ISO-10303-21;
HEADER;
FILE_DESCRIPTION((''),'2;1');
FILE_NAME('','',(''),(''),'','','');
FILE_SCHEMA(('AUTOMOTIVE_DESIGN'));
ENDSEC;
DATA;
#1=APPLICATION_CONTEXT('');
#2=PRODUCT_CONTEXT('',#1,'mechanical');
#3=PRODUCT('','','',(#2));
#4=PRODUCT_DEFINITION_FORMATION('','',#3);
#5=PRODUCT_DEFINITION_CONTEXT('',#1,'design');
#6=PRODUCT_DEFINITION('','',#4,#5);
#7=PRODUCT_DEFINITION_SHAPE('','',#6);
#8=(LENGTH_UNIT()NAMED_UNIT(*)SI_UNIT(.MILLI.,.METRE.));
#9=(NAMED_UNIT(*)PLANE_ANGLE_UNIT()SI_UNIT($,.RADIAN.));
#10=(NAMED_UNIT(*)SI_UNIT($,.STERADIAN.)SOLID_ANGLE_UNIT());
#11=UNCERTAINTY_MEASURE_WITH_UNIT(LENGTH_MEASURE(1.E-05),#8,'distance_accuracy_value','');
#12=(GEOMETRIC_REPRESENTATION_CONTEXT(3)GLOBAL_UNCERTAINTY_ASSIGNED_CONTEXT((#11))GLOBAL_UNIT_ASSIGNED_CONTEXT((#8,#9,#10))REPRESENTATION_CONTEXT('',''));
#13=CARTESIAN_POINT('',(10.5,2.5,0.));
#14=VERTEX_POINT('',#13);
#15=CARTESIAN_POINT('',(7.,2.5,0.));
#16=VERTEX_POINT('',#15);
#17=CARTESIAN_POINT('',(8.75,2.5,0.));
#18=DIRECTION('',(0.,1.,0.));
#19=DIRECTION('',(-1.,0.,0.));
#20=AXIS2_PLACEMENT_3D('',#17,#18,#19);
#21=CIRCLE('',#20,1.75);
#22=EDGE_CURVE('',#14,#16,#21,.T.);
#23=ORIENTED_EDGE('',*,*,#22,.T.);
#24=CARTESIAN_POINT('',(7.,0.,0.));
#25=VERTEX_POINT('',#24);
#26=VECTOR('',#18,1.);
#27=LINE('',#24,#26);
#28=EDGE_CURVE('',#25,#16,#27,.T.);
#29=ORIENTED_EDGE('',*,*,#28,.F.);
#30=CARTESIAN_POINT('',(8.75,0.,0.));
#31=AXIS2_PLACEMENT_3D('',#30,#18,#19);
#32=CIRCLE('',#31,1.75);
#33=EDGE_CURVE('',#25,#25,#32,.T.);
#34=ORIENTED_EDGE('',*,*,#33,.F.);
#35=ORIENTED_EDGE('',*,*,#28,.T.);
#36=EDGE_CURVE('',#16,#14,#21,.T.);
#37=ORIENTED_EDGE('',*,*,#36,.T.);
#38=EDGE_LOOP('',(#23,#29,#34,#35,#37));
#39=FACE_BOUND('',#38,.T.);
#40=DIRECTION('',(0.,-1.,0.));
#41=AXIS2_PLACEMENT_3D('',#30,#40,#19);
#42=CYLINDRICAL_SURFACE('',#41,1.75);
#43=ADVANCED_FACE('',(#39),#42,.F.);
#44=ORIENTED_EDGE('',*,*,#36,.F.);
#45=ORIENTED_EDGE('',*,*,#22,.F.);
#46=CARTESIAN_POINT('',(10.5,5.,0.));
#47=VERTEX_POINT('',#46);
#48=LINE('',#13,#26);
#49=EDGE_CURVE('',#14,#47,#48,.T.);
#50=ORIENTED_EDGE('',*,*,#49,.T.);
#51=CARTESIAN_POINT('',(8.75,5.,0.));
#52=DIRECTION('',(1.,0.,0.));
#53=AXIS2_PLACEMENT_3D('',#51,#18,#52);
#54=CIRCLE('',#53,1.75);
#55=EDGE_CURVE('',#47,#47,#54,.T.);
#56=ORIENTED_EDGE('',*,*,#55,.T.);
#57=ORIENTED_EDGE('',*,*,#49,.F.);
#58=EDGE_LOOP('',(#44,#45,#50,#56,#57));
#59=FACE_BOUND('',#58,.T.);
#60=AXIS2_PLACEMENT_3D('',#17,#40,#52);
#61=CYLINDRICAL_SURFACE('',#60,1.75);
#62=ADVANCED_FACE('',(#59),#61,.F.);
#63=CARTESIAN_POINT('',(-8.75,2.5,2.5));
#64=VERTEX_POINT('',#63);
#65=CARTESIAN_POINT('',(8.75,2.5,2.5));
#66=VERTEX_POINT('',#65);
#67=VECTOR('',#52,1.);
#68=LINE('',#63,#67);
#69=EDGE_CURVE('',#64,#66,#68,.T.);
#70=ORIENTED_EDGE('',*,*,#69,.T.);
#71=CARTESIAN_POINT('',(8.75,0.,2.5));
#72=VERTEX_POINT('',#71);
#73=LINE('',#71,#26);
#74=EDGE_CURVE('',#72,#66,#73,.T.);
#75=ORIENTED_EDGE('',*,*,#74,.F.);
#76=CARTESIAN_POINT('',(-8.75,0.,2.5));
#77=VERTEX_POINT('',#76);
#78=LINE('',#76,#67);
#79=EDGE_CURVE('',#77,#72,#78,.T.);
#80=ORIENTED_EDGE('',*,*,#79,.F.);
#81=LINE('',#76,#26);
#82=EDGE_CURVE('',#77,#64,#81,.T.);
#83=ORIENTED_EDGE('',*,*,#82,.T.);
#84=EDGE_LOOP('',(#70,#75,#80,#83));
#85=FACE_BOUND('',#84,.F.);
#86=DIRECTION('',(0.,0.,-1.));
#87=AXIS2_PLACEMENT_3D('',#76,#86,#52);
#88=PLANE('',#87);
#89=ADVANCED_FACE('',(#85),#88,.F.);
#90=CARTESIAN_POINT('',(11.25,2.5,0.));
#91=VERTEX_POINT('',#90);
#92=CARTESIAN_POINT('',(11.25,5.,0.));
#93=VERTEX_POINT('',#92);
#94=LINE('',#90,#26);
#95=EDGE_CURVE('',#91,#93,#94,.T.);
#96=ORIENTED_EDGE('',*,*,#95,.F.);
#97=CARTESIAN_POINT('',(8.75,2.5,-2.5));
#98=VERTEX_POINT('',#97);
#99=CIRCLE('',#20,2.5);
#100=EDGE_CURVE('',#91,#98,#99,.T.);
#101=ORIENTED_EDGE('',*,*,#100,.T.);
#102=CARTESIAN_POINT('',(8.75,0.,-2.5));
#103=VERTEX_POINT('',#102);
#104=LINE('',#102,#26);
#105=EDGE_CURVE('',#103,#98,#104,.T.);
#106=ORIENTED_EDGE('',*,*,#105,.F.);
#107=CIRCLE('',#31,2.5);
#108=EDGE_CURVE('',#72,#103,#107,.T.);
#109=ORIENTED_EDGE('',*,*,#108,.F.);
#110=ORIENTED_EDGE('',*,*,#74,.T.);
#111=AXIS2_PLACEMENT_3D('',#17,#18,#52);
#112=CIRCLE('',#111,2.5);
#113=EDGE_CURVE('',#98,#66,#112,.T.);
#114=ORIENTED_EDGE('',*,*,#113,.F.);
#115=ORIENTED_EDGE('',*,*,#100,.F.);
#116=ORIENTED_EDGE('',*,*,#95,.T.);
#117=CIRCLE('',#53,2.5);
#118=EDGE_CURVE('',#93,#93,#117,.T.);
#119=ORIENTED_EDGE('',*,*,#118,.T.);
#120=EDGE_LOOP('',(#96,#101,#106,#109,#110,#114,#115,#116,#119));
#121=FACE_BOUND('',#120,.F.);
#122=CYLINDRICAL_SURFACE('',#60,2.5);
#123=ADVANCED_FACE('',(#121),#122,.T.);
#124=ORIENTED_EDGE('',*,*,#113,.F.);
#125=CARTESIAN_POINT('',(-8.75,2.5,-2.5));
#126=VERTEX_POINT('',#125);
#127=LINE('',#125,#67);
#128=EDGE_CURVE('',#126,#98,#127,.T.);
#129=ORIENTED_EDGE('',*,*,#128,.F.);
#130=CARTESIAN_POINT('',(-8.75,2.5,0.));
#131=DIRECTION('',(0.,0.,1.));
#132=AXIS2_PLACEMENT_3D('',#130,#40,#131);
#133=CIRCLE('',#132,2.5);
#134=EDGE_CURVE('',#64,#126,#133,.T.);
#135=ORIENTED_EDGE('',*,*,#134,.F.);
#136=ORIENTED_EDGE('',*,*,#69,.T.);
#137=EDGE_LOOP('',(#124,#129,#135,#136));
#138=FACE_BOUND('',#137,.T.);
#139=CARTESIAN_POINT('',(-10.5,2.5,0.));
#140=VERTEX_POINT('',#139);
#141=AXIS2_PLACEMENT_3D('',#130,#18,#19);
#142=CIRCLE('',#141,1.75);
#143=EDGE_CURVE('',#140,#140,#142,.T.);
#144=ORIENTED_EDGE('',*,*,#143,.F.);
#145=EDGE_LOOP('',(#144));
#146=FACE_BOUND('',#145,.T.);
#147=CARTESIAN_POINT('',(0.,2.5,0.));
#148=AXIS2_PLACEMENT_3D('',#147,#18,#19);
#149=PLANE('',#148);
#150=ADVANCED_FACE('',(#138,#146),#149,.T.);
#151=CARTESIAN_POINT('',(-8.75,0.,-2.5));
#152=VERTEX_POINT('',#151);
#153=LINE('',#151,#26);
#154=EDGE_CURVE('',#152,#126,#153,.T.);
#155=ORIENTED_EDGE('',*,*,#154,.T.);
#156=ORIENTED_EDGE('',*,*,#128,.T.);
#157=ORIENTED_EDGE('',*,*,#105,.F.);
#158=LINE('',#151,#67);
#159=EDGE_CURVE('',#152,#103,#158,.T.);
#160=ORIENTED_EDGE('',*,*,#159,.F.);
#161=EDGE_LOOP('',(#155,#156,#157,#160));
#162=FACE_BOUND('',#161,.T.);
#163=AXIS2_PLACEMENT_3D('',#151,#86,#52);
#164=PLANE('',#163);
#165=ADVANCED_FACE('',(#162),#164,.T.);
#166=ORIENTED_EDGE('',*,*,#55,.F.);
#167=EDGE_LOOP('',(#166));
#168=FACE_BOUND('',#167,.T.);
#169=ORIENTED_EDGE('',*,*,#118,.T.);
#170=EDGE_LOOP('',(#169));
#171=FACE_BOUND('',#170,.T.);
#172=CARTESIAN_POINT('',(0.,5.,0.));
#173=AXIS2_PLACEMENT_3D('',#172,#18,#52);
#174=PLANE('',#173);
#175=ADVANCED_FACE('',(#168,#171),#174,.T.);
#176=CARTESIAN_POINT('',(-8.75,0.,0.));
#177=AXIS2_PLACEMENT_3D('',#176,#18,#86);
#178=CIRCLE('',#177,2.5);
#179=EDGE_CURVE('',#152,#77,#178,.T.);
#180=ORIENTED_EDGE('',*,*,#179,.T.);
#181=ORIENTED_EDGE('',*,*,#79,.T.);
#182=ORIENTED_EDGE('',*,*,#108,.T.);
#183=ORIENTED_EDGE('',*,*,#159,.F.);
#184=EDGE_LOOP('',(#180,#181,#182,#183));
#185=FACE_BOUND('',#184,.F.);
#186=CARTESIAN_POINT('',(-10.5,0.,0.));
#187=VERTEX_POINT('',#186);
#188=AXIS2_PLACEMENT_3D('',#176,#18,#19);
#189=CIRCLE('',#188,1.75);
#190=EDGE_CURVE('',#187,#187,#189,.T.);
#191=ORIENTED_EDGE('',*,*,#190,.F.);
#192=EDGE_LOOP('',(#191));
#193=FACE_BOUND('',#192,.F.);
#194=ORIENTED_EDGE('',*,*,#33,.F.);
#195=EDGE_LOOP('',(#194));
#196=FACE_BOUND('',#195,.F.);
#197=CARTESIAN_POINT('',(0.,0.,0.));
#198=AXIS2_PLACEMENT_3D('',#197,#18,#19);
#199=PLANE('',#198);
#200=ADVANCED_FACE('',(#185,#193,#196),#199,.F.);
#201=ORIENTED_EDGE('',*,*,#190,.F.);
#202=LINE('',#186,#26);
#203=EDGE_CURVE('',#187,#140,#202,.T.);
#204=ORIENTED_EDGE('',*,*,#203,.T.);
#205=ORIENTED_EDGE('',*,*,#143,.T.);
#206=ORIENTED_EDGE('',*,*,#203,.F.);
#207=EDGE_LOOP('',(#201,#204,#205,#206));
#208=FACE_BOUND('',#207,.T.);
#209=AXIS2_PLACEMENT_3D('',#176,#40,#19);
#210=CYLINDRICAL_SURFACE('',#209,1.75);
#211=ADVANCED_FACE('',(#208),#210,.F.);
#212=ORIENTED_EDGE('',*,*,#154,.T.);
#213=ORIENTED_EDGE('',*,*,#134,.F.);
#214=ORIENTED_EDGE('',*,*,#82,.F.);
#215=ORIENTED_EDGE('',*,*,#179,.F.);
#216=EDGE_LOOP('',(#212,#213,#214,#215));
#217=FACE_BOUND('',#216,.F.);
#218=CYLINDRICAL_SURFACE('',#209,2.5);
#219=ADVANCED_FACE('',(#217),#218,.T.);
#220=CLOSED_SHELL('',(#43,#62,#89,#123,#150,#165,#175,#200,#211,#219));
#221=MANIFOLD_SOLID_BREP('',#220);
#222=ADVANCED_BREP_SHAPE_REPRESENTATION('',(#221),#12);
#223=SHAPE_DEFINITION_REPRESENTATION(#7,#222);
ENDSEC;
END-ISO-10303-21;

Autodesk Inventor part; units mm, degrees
ref_plane "YZ Plane" through (0, 0, 0) normal (1, 0, 0) x (0, 1, 0)
ref_plane "XZ Plane" through (0, 0, 0) normal (0, 1, 0) x (-1, 0, 0)
ref_plane "XY Plane" through (0, 0, 0) normal (0, 0, 1) x (1, 0, 0)
sketch "Sketch1" plane through (0, 0, 0) normal (0, 1, 0) x (-1, 0, 0)
  line L0 (0, 0) -> (8.75, 0) construction
  circle A0 centre (8.75, 0) radius 1.75
  circle A1 centre (8.75, 0) radius 2.5
  line L1 (0, 0) -> (-8.75, 0) construction
  circle A2 centre (-8.75, 0) radius 1.75
  circle A3 centre (-8.75, 0) radius 2.5
  line L2 (8.75, 2.5) -> (-8.75, 2.5)
  line L3 (8.75, -2.5) -> (-8.75, -2.5)
  dimension "d0" = 8.75
  dimension "d1" = 3.5
  dimension "d2" = 5
  dimension "d3" = 8.75
  dimension "d4" = 3.5
  dimension "d5" = 5
extrude "Extrusion1" add sketch "Sketch1" along normal blind 2.5
sketch "Sketch2" plane through (0, 2.5, 0) normal (0, 1, 0) x (1, 0, 0)
  circle A0 centre (8.75, 0) radius 1.75 projected
  circle A1 centre (8.75, 0) radius 2.5
  point P0 (0, 0)
  dimension "d8" = 5
extrude "Extrusion2" add sketch "Sketch2" along normal blind 2.5
properties part number "eje de servo 2"
